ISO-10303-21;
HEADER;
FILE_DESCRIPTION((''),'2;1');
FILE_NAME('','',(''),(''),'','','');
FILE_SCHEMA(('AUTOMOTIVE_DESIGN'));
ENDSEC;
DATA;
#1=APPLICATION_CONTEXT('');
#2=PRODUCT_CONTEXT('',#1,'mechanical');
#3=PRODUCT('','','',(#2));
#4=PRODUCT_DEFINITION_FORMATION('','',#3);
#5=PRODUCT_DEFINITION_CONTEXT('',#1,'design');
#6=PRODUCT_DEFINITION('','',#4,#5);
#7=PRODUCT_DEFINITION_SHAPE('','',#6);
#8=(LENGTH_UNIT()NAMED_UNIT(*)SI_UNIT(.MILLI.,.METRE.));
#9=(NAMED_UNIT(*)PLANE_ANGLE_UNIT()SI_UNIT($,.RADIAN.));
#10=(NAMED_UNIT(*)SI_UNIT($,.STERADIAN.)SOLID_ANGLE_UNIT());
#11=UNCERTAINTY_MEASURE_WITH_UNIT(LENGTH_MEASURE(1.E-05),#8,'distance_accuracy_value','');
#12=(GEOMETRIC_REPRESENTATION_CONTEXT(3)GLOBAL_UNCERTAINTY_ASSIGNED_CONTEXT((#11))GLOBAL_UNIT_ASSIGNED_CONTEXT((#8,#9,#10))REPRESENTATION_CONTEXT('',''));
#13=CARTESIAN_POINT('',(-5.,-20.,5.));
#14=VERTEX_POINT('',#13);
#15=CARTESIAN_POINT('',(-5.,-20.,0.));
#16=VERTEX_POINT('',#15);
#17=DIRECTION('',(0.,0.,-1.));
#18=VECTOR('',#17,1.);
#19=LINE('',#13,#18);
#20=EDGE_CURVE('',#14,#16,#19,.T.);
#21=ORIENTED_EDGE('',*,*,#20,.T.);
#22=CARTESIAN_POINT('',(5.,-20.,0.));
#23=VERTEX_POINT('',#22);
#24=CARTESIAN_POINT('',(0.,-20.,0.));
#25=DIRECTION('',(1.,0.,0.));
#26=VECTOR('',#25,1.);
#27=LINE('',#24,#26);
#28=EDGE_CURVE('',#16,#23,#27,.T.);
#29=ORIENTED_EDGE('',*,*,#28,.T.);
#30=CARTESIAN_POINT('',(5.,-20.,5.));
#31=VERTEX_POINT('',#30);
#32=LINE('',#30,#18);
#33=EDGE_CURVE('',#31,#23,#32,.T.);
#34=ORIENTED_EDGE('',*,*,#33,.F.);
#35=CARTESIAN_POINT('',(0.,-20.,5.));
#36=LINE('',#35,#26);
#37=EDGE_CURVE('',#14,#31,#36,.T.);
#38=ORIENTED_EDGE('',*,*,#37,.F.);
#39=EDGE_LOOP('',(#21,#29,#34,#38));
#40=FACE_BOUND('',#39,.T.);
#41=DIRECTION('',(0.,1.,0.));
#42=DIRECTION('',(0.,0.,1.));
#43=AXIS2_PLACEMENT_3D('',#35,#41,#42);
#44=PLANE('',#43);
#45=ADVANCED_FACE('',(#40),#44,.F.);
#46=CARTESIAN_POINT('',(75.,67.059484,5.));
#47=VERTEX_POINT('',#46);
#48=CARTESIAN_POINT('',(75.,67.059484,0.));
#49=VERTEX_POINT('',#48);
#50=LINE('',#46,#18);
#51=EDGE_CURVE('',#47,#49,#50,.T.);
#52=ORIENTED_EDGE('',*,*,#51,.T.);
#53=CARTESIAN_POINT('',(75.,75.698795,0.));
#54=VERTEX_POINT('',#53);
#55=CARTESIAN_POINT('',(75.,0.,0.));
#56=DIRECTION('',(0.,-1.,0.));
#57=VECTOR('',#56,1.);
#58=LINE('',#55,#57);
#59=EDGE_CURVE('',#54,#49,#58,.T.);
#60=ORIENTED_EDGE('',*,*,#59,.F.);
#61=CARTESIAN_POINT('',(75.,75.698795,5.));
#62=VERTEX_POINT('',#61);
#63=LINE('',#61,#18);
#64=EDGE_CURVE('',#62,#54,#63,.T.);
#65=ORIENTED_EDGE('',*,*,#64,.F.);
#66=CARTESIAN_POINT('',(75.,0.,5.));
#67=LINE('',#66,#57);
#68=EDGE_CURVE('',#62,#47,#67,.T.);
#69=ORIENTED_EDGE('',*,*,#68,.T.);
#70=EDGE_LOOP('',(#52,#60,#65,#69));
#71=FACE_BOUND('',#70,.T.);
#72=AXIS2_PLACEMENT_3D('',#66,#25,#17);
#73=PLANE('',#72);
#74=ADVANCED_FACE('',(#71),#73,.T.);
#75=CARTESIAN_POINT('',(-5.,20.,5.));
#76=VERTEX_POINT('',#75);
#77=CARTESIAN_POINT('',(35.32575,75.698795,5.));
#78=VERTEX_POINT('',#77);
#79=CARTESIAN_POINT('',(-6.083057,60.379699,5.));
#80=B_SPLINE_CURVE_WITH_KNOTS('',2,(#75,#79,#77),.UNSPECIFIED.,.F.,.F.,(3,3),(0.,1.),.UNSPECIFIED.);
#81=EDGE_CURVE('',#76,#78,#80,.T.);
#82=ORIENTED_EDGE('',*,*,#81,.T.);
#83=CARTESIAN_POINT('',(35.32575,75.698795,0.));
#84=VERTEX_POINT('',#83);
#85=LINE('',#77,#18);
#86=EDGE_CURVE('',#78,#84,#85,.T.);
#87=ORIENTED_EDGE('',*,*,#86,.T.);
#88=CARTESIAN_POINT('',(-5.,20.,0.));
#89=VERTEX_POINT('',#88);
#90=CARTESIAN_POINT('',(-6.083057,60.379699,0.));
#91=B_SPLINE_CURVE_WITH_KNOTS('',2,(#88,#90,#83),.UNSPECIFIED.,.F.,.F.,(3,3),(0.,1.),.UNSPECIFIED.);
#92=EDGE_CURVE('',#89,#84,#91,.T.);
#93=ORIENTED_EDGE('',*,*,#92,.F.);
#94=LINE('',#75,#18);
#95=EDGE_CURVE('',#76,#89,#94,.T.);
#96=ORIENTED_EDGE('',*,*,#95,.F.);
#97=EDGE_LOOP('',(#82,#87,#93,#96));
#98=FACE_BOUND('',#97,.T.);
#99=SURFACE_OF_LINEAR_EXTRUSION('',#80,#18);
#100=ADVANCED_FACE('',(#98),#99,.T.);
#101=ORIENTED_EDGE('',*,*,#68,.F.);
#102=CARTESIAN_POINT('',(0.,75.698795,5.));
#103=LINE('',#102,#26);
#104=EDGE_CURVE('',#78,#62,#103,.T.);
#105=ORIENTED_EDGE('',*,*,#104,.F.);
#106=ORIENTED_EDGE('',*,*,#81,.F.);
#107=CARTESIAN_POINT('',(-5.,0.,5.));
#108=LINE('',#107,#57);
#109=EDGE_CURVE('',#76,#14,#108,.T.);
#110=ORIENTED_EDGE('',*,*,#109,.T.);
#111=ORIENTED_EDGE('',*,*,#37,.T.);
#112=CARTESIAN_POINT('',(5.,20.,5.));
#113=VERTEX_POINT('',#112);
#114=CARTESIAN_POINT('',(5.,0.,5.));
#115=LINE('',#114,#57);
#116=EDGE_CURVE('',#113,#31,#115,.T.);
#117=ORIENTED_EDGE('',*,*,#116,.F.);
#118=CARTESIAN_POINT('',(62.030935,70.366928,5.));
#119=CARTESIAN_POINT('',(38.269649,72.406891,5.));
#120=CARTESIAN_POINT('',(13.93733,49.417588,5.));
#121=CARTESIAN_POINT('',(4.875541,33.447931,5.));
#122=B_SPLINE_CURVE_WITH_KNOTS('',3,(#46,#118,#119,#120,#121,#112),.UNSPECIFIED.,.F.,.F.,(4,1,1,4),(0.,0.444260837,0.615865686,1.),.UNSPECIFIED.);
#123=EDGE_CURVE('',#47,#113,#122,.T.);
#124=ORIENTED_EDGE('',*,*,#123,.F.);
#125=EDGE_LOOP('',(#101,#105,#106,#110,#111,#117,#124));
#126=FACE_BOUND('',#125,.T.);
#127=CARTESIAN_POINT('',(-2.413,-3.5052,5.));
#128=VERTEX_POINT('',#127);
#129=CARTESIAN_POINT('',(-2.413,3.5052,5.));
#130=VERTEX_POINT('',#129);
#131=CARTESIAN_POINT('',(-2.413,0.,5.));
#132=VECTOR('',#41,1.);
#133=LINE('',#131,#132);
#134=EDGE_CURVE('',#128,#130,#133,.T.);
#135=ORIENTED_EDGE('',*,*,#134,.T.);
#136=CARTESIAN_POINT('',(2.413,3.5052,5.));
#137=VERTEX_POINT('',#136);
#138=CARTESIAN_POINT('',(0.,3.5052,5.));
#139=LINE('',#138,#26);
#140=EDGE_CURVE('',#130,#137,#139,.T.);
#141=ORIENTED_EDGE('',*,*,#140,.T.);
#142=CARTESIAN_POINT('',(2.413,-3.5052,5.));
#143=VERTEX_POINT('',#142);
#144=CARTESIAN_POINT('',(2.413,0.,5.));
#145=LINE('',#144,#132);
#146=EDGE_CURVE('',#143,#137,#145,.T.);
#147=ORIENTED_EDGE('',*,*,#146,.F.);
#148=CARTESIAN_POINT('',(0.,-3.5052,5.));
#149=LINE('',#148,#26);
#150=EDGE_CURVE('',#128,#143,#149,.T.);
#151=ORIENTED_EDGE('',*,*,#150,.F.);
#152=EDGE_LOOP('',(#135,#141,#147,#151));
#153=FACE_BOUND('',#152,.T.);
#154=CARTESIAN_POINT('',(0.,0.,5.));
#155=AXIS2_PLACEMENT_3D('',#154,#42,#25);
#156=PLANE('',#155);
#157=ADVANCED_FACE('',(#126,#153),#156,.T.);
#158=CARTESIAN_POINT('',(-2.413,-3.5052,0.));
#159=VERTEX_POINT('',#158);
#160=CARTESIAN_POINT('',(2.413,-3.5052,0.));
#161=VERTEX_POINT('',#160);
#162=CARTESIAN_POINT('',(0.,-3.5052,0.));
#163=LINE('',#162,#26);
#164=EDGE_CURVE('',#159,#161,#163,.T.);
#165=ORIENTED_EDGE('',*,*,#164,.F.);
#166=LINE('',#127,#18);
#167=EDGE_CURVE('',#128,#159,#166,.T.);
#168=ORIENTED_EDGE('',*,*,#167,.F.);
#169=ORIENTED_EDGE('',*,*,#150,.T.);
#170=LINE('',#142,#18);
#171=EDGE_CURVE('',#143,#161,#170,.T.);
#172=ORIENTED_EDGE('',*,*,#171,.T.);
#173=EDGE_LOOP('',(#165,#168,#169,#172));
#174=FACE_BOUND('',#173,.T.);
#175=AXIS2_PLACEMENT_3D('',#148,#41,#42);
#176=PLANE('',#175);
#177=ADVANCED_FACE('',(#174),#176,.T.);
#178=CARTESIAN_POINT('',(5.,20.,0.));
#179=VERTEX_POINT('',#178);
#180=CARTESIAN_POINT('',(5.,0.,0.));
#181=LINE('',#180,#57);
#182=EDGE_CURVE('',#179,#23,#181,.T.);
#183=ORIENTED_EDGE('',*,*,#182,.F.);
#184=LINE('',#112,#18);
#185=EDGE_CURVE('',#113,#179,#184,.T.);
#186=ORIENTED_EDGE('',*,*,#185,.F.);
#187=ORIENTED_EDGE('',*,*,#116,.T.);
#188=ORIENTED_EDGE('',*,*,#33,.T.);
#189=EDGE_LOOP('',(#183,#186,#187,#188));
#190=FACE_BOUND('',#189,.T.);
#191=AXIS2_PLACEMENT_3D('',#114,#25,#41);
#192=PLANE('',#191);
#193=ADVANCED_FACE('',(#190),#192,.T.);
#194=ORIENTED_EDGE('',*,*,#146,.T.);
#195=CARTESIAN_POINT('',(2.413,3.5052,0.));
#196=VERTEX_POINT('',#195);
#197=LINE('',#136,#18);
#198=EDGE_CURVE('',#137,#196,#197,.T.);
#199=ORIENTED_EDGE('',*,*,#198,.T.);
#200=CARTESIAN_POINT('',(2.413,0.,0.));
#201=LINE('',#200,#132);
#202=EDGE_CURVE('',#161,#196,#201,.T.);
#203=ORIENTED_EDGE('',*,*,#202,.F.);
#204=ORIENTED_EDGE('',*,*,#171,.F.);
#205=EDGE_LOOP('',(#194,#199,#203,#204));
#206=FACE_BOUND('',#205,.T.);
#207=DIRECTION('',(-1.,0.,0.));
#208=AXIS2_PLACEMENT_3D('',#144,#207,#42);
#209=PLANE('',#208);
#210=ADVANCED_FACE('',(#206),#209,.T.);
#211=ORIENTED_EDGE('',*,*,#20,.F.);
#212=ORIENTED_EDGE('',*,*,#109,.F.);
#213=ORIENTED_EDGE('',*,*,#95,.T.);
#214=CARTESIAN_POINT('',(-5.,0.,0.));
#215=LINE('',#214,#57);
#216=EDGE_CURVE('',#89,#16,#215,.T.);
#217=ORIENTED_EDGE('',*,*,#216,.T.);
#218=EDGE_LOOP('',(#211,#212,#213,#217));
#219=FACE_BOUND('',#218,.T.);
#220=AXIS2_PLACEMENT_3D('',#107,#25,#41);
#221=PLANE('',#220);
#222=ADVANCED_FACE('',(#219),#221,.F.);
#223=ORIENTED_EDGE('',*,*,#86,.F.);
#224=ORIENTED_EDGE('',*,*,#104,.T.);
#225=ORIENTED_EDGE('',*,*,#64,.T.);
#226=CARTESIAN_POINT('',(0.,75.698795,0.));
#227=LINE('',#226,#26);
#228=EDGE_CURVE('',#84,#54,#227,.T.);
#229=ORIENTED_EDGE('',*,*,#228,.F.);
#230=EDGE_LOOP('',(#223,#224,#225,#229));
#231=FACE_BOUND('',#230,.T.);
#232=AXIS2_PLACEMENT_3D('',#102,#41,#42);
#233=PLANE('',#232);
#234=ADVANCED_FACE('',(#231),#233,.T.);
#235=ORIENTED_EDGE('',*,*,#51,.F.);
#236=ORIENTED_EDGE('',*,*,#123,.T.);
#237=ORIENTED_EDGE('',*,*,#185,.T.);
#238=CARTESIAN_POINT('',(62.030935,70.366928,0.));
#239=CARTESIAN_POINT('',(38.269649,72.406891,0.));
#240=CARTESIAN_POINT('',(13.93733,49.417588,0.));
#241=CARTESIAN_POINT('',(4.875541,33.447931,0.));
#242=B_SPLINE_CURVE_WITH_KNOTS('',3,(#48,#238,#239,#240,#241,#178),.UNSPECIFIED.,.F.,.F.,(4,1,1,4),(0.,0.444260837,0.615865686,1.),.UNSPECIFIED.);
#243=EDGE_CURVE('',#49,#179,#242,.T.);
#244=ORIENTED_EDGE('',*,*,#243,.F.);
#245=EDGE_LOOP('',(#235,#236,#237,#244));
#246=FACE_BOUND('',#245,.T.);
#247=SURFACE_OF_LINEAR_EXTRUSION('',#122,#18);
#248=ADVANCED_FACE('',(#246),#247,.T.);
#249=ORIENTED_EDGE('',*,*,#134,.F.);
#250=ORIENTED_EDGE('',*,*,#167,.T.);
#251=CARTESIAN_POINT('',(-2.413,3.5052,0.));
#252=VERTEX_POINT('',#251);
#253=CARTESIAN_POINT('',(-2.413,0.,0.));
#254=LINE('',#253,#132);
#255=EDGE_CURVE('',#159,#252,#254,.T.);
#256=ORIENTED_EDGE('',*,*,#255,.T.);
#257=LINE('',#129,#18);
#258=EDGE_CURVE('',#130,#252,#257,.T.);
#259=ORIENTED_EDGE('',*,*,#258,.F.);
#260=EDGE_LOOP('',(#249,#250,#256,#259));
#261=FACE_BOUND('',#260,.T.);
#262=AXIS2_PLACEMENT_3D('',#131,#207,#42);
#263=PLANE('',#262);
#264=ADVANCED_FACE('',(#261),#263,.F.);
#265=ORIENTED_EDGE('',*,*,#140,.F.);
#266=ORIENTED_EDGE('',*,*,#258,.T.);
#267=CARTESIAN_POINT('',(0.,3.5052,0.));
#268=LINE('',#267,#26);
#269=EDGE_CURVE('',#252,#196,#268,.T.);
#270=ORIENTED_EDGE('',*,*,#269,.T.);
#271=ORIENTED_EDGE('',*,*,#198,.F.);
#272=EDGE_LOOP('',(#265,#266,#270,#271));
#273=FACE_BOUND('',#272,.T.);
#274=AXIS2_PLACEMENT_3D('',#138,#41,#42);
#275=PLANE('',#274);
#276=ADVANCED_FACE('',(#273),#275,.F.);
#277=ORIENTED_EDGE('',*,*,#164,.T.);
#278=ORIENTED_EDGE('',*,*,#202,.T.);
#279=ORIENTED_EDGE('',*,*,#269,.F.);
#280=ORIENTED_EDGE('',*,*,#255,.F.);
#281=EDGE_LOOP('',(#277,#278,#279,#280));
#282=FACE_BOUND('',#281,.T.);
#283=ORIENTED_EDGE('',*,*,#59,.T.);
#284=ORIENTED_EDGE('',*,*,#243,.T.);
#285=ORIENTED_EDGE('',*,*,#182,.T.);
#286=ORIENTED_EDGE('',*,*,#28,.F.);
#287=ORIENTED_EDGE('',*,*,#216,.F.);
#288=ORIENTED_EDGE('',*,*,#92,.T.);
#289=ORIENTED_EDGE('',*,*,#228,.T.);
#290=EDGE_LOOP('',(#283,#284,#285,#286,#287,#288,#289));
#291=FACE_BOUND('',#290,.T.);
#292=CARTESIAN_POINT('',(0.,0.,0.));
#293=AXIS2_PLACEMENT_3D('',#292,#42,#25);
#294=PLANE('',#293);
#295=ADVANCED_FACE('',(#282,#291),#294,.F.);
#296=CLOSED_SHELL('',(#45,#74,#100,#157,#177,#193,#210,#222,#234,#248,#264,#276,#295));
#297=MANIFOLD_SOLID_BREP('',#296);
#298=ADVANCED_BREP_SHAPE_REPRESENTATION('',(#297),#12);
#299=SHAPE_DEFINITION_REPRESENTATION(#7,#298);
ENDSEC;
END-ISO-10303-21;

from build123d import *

# Parameters (mm, degrees)
ESQUISSE1_W        = 4.826
ESQUISSE1_H        = 7.0104
BOSS_EXTRU_2_DEPTH = 5


with BuildPart() as part:
    # Esquisse1 → Boss.-Extru.2 (new body)
    with BuildSketch(Plane.XY):
        with BuildLine():
            Line((-5, 20), (-5, -20))
            Line((-5, -20), (5, -20))
            Line((5, -20), (5, 20))
            add(Edge.make_bspline(
                [(75, 67.059484201), (62.03093477, 70.366927919), (38.269649401, 72.406891381), (13.9373301, 49.417587767), (4.875540917, 33.447930614), (5, 20)],
                knots=[0, 0, 0, 0, 0.444260837, 0.615865686, 1, 1, 1, 1], degree=3))
            Line((75, 67.059484201), (75, 75.698795143))
            Line((75, 75.698795143), (35.325749863, 75.698795143))
            add(Edge.make_bspline(
                [(-5, 20), (-6.083057018, 60.379699371), (35.325749863, 75.698795143)],
                knots=[0, 0, 0, 1, 1, 1], degree=2))
        make_face()
        Rectangle(ESQUISSE1_W, ESQUISSE1_H, mode=Mode.SUBTRACT)
    extrude(amount=BOSS_EXTRU_2_DEPTH)


solid = part.part
